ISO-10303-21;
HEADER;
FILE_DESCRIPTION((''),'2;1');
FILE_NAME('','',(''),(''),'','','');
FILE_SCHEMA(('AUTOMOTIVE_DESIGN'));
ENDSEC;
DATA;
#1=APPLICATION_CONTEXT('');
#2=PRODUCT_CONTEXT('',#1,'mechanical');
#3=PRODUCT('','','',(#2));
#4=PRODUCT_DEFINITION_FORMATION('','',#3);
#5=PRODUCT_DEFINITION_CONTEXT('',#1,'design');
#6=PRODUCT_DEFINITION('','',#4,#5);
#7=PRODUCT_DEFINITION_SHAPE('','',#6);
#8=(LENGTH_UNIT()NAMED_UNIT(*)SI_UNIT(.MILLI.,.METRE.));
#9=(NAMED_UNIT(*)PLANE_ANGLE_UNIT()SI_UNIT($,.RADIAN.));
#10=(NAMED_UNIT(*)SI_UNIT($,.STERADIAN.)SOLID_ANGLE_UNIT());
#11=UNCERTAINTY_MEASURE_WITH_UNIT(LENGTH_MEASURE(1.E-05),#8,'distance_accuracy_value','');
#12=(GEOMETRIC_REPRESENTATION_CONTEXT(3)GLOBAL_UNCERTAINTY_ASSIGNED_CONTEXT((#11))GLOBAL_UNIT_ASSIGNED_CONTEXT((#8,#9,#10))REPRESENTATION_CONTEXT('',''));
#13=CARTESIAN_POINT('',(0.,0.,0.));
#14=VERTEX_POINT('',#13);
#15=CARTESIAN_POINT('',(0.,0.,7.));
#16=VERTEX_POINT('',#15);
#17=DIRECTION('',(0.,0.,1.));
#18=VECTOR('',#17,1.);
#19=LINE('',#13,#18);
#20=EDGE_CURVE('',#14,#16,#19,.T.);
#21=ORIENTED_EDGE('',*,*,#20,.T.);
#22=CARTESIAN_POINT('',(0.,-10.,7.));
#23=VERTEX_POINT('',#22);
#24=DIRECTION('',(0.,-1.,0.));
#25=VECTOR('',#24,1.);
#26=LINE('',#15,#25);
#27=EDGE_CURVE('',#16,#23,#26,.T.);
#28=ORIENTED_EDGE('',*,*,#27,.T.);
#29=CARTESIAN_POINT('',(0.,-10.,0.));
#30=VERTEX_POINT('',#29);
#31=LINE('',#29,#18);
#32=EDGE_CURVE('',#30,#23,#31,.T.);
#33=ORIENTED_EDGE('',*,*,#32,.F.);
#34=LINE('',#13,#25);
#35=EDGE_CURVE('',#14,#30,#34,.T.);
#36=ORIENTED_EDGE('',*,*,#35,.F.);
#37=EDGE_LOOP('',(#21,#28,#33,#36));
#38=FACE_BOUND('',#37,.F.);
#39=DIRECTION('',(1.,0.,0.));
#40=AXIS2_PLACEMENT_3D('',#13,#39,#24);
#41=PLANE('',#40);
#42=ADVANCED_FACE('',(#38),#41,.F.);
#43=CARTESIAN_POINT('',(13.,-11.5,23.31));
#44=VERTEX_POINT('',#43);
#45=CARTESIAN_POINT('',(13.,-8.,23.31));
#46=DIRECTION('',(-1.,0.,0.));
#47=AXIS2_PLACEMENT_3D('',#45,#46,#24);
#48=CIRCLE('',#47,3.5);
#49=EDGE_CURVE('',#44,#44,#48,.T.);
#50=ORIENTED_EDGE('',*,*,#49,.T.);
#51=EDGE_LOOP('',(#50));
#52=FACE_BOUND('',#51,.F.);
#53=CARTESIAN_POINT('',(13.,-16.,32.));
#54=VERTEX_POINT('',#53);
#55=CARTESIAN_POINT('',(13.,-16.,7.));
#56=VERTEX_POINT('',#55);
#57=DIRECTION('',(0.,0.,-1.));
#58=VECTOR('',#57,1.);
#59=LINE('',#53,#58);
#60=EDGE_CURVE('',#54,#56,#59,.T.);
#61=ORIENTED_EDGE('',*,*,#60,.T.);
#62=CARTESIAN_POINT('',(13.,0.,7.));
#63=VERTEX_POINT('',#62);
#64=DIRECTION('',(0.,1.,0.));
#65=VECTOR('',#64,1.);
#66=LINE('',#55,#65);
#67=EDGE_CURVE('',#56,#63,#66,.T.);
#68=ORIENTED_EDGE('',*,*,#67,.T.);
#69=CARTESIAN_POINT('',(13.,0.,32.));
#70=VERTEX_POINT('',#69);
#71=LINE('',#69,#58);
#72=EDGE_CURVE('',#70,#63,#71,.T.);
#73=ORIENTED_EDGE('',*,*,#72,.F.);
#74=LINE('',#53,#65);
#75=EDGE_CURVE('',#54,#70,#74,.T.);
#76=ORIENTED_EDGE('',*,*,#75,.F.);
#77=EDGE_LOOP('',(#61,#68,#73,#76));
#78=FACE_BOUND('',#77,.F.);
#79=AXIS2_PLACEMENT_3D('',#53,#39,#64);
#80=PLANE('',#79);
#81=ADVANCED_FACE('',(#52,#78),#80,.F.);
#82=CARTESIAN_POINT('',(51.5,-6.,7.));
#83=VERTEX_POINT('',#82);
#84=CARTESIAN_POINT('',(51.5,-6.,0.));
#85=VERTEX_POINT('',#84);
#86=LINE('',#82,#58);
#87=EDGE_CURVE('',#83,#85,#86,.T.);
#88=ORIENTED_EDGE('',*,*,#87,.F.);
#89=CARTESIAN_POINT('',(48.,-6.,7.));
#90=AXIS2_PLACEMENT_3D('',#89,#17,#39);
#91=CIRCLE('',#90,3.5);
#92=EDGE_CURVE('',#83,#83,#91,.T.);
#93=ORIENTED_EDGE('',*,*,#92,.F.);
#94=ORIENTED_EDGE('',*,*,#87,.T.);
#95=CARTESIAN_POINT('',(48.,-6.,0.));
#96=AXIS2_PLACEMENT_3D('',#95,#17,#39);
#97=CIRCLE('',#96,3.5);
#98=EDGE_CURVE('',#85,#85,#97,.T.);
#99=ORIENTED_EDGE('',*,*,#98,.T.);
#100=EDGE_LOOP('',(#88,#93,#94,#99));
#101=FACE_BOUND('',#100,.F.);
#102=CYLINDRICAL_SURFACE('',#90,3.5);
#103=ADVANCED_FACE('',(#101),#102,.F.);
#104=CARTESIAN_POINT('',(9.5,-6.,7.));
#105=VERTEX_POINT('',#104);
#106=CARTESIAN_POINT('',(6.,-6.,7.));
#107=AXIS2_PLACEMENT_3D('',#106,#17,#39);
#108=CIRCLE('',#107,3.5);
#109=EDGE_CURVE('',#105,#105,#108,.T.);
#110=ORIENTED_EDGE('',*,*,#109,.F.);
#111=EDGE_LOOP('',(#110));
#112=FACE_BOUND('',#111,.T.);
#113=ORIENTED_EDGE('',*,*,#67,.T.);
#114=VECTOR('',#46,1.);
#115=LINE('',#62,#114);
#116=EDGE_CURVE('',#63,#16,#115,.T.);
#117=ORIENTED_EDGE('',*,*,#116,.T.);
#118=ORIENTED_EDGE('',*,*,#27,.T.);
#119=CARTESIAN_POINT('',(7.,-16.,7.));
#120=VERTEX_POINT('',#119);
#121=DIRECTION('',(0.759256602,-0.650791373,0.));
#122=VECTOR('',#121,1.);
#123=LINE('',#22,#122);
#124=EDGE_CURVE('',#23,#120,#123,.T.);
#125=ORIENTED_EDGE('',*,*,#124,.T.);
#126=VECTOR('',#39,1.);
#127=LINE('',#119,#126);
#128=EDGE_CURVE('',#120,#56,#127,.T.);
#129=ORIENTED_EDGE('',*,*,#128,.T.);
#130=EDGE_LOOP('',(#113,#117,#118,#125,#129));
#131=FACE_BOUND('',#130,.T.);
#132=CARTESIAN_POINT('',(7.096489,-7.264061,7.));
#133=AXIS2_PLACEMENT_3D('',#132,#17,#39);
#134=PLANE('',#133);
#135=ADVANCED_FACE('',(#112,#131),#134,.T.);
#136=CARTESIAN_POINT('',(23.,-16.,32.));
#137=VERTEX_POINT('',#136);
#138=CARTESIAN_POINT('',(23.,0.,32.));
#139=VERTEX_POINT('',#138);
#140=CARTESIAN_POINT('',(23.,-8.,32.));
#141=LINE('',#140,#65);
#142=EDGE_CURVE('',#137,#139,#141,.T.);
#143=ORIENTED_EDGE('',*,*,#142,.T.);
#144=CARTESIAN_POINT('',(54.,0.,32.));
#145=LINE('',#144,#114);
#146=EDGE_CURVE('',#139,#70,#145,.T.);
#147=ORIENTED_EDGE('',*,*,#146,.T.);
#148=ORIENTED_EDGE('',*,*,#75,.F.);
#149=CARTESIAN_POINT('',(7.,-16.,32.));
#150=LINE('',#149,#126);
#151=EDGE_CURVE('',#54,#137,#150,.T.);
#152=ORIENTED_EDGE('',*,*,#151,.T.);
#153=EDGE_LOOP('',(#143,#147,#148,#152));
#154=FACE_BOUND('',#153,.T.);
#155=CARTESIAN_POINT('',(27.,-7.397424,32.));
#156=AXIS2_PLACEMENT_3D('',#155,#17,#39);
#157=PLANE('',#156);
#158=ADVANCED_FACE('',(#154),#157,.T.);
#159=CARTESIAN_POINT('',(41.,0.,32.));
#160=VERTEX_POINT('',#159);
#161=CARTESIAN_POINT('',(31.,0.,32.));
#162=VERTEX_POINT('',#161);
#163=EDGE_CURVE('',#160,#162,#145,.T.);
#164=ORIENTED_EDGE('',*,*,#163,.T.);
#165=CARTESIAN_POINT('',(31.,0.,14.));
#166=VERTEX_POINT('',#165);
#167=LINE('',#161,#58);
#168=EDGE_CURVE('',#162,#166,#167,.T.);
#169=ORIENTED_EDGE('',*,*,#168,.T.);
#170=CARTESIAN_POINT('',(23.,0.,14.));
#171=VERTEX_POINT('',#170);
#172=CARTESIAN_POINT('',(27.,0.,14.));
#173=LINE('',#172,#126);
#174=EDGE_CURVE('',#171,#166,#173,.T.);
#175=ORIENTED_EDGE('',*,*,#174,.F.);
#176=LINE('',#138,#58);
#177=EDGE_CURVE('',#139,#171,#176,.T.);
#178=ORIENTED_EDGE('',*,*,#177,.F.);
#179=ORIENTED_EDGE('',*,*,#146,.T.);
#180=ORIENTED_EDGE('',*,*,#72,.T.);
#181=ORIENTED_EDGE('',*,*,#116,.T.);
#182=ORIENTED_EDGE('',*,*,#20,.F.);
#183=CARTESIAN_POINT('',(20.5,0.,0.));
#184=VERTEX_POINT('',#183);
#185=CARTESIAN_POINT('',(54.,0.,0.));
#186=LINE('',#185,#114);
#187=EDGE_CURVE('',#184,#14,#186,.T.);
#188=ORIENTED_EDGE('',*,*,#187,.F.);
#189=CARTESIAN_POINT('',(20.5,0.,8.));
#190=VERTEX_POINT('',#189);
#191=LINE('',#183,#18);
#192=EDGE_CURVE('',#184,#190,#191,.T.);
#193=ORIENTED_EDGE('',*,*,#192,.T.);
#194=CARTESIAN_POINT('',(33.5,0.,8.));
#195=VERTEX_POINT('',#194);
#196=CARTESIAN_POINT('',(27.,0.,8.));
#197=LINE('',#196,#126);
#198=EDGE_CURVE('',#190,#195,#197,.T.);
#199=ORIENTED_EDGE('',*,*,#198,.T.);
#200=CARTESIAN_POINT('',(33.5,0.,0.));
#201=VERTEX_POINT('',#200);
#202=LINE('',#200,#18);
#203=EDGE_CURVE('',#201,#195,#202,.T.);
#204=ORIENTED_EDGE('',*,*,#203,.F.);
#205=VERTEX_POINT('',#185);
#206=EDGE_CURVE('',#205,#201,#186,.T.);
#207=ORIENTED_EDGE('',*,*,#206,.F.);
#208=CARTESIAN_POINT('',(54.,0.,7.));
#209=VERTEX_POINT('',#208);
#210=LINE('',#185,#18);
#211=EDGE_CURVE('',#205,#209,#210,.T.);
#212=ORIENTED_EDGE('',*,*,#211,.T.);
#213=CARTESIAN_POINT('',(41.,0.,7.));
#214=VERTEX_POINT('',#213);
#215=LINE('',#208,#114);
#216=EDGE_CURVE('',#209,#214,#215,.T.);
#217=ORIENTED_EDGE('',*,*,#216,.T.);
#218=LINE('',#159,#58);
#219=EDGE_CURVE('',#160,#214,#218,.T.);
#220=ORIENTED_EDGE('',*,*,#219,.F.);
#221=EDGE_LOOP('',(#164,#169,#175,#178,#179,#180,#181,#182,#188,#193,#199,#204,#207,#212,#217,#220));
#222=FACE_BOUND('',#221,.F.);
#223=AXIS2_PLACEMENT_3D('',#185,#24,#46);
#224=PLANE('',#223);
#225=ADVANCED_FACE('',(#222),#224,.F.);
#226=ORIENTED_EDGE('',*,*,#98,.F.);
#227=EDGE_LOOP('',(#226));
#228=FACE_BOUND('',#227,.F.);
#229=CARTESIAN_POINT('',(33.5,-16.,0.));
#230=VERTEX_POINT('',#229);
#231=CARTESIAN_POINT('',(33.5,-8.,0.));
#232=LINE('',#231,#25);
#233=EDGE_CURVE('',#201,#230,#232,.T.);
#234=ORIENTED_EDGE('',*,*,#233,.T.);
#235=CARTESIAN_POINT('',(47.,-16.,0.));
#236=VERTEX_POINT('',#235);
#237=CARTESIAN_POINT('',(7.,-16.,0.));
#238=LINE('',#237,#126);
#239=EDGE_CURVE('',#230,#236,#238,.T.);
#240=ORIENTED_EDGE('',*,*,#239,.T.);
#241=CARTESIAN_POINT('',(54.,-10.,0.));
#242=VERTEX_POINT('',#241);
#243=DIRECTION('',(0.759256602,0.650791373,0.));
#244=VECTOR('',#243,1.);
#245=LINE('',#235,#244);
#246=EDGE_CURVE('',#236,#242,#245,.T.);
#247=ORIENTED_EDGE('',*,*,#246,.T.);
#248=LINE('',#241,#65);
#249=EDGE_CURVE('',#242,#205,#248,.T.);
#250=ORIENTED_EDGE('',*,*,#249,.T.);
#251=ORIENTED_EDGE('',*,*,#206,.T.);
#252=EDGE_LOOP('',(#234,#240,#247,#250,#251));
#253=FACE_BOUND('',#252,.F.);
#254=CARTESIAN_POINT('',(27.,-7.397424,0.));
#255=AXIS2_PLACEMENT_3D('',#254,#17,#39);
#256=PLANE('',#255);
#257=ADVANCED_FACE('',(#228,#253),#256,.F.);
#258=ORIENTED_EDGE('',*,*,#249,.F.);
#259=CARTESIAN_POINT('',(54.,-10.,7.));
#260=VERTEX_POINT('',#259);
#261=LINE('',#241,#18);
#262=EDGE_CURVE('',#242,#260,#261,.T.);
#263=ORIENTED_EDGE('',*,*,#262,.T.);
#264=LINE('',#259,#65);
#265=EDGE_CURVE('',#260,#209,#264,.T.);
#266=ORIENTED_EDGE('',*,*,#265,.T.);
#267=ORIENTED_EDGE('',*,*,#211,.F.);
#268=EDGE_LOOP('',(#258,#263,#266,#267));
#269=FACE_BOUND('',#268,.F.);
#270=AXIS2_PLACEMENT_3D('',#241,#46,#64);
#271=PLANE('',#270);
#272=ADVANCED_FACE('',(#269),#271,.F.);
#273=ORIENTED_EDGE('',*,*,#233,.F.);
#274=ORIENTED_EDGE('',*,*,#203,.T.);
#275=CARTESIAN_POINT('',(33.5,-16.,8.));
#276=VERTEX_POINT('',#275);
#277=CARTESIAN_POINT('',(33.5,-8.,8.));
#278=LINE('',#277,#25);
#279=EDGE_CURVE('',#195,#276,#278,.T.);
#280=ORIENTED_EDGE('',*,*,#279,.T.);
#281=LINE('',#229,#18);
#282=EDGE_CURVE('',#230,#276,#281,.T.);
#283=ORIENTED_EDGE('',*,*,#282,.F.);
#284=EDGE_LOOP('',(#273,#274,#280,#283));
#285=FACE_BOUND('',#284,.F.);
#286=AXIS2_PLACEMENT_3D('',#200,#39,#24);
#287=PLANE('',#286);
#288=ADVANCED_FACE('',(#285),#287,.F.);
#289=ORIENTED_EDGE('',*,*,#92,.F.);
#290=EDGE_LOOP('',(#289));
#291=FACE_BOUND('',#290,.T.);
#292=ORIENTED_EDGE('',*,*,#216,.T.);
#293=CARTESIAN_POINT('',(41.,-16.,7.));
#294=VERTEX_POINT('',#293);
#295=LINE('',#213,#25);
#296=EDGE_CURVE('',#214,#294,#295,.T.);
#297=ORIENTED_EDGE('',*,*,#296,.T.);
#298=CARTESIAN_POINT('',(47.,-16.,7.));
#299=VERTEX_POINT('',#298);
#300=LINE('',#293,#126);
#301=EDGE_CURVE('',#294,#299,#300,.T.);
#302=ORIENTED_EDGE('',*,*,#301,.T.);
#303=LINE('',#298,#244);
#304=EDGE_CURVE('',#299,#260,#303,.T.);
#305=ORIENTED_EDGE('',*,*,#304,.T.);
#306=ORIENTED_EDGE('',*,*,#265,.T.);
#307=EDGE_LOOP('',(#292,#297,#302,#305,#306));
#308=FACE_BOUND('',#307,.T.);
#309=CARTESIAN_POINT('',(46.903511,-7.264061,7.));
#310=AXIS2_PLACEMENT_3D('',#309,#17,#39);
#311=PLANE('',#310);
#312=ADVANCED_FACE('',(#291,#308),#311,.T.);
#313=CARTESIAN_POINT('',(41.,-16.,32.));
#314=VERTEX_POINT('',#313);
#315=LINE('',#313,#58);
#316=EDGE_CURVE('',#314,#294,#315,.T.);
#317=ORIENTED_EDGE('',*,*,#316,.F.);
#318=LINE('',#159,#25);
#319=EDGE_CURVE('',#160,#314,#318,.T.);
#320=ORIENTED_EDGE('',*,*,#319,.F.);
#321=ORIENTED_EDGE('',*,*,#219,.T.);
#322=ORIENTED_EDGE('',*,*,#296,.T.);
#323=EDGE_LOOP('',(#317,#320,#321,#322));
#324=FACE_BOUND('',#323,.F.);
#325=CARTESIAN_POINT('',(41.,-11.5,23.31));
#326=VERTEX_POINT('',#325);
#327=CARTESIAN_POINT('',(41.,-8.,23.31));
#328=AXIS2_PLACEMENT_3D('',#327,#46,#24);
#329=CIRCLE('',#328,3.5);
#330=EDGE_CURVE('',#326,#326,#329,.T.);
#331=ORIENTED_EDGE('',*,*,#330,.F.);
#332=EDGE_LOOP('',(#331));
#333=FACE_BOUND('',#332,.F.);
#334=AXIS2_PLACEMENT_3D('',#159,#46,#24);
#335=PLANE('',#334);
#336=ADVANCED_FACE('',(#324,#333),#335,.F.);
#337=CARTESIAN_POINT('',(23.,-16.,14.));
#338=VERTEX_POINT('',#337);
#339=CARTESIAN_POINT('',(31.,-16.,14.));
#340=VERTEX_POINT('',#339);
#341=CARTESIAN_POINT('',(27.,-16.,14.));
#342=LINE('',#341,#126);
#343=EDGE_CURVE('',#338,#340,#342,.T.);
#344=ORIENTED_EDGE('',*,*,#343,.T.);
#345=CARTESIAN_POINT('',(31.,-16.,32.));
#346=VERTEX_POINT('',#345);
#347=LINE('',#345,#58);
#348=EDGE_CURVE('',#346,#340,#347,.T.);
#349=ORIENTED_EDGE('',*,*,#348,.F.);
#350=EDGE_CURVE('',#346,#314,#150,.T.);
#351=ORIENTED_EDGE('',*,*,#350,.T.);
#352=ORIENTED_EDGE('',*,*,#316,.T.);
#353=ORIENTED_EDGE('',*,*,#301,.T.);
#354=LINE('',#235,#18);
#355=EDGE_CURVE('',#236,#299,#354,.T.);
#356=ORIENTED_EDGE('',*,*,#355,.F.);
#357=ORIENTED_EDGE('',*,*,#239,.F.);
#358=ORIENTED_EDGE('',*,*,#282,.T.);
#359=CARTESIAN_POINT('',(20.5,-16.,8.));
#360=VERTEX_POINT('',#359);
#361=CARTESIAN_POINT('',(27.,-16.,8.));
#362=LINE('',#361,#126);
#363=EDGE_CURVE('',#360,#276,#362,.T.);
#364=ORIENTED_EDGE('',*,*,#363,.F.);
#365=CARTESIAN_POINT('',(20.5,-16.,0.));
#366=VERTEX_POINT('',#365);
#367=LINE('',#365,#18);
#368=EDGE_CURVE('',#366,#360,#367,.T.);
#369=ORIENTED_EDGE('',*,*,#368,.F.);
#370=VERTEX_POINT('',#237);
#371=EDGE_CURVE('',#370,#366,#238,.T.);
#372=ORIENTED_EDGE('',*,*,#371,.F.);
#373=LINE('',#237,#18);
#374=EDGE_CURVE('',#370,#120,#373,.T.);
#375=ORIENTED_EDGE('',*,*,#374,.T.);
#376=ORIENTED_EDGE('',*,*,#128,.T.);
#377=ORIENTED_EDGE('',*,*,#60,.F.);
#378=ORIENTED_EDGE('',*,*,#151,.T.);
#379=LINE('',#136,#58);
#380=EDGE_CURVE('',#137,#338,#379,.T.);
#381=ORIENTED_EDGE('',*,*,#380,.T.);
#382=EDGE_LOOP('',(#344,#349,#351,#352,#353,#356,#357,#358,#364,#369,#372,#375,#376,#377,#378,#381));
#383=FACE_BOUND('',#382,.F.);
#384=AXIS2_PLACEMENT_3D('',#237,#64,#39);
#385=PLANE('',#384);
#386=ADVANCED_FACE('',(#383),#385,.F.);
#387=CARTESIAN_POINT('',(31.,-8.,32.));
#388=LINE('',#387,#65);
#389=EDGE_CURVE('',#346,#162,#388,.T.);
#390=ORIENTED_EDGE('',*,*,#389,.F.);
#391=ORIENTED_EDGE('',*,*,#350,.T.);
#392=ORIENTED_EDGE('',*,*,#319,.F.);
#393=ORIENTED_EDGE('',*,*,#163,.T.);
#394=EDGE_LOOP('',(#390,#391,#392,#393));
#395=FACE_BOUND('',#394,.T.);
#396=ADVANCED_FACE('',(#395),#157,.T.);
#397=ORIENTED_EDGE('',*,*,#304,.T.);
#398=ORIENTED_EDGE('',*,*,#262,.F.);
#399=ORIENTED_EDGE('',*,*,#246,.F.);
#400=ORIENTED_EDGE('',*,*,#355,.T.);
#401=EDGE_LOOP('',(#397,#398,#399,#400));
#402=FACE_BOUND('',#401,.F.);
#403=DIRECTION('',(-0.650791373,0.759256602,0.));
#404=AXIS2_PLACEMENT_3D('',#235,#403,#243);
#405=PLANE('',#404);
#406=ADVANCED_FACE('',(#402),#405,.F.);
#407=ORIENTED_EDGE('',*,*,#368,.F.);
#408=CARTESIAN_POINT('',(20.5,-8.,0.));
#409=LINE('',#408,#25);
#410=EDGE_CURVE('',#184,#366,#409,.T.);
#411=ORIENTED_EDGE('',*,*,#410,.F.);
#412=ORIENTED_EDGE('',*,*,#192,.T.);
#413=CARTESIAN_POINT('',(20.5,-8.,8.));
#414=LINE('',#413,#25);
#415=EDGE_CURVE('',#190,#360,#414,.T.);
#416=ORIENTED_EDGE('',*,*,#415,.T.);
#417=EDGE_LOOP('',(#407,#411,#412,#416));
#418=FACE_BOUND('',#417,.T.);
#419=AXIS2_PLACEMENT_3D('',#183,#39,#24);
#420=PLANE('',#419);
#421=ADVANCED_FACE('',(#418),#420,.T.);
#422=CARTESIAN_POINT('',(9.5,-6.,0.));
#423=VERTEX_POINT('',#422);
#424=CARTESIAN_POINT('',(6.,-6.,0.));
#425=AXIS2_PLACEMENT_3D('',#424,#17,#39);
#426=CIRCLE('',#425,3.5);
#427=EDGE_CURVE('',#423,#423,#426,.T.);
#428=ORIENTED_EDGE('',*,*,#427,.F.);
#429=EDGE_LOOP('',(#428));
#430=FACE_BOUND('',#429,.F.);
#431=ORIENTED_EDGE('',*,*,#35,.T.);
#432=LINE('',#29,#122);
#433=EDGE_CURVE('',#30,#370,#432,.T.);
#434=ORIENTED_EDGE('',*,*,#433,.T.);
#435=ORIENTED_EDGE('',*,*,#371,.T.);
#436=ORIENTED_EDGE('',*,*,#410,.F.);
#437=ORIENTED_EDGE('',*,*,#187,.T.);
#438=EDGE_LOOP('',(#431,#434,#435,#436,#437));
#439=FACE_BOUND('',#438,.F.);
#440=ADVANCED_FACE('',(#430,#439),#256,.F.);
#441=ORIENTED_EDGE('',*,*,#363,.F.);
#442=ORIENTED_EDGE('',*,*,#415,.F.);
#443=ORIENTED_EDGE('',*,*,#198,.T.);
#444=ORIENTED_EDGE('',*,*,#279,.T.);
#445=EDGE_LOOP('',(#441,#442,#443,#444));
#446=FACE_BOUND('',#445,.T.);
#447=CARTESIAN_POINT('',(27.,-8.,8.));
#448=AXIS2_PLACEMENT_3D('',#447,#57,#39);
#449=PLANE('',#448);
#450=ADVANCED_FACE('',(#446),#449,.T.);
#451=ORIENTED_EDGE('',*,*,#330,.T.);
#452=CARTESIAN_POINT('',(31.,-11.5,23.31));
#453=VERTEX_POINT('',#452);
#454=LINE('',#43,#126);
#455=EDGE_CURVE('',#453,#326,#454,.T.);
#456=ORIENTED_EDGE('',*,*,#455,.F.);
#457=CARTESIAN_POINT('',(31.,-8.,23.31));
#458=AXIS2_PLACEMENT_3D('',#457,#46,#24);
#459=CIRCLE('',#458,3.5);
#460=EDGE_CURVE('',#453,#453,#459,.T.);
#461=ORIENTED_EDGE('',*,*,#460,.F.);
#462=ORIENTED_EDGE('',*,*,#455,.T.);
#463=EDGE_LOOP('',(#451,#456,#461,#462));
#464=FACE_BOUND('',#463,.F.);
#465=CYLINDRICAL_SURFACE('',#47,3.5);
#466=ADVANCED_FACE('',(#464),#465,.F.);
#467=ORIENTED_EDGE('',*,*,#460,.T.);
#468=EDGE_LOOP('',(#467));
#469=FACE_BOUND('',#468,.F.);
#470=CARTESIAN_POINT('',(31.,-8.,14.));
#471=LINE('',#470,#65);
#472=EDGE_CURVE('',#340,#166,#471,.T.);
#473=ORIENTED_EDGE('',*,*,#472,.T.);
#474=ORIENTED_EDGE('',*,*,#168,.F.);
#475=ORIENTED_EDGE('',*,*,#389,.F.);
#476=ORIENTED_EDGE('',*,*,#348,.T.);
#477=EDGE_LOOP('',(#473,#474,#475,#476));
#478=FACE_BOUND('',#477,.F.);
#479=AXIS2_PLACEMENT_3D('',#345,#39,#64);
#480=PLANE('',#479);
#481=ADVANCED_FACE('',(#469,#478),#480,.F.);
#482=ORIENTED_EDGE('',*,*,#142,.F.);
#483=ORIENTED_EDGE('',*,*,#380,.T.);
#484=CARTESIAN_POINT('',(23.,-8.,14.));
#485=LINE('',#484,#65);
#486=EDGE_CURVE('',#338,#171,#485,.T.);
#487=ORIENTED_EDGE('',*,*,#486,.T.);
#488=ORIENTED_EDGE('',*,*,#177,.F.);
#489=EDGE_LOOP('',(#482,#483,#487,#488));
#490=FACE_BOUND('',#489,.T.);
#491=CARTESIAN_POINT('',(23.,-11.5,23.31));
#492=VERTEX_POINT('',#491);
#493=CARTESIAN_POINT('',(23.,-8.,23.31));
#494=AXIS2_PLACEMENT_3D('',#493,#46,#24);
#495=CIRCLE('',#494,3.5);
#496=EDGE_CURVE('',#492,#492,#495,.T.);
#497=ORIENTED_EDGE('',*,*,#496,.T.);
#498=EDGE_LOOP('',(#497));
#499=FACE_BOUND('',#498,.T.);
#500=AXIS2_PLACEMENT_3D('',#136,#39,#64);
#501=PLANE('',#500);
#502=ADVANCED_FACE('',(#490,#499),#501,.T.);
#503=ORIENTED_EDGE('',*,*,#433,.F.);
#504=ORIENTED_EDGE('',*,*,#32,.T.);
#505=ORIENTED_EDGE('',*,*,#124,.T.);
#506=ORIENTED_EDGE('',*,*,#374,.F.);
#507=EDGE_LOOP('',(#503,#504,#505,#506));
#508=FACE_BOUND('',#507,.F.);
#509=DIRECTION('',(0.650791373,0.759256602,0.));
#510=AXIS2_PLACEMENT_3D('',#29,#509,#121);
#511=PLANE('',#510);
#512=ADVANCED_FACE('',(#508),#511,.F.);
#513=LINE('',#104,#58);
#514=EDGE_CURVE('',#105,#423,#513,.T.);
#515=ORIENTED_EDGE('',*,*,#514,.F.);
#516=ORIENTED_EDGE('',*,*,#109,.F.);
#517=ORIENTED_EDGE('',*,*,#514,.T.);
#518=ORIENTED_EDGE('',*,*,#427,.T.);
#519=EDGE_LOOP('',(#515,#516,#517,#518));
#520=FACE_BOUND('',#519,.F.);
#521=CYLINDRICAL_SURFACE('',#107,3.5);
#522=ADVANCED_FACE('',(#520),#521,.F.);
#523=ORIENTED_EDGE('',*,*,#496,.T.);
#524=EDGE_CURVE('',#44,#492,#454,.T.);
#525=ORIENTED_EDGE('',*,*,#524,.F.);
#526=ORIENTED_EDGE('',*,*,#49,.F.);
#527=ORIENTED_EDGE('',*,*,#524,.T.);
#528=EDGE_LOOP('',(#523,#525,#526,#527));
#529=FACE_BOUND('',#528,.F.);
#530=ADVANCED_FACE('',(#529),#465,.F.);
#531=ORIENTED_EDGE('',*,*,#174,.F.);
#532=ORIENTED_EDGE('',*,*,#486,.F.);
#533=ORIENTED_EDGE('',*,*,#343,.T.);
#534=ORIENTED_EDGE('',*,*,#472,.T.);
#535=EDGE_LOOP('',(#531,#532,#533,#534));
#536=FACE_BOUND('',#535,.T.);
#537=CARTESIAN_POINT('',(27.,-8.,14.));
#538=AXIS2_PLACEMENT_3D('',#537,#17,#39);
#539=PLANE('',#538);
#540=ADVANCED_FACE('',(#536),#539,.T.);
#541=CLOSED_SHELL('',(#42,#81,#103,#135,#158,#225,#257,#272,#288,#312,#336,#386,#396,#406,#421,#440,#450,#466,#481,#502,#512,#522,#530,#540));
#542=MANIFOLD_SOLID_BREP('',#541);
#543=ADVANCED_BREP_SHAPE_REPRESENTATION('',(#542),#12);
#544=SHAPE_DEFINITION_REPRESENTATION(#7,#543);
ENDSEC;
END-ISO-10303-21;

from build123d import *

# Parameters (mm, degrees)
PAD_DEPTH       = 32
SKETCH001_W     = 13
SKETCH001_H     = 16
POCKET_DEPTH    = 8
POCKET001_DEPTH = 25
POCKET002_DEPTH = 25
SKETCH004_W     = 8
SKETCH004_H     = 16
POCKET003_DEPTH = 18
SKETCH005_R     = 3.5
POCKET004_DEPTH = 8
SKETCH006_R     = 3.5
POCKET005_DEPTH = 30


with BuildPart() as part:
    # Sketch → Pad (new body)
    with BuildSketch(Plane.XY):
        Polygon((0, 0), (0, -10), (7, -16), (47, -16), (54, -10), (54, 0), align=None)
    extrude(amount=PAD_DEPTH)

    # Sketch001 (on Face7 of Pad) → Pocket (cut)
    with BuildSketch(Plane(origin=(0, 0, 0), x_dir=(1, 0, 0), z_dir=(0, 0, -1))):
        with Locations((27, 8)):
            Rectangle(SKETCH001_W, SKETCH001_H)
    extrude(amount=-POCKET_DEPTH, mode=Mode.SUBTRACT)

    # Sketch002 (on Face5 of Pocket) → Pocket001 (cut)
    with BuildSketch(Plane.XY.offset(32)):
        Polygon((0, 0), (0, -10), (7, -16), (13, -16), (13, 0), align=None)
    extrude(amount=-POCKET001_DEPTH, mode=Mode.SUBTRACT)

    # Sketch003 (on Face12 of Pocket001) → Pocket002 (cut)
    with BuildSketch(Plane.XY.offset(32)):
        Polygon((54, 0), (41, 0), (41, -16), (47, -16), (54, -10), align=None)
    extrude(amount=-POCKET002_DEPTH, mode=Mode.SUBTRACT)

    # Sketch004 (on Face12 of Pocket002) → Pocket003 (cut)
    with BuildSketch(Plane.XY.offset(32)):
        with Locations((27, -8)):
            Rectangle(SKETCH004_W, SKETCH004_H)
    extrude(amount=-POCKET003_DEPTH, mode=Mode.SUBTRACT)

    # Sketch005 (on Face4 of Pocket003) → Pocket004 (cut)
    with BuildSketch(Plane.XY.offset(7)):
        with Locations((6, -6)):
            Circle(SKETCH005_R)
        with Locations((48, -6)):
            Circle(SKETCH005_R)
    extrude(amount=-POCKET004_DEPTH, mode=Mode.SUBTRACT)

    # Sketch006 (on Face9 of Pocket004) → Pocket005 (cut)
    with BuildSketch(Plane(origin=(13, 0, 0), x_dir=(0, -1, 0), z_dir=(-1, 0, 0))):
        with Locations((8, 23.31)):
            Circle(SKETCH006_R)
    extrude(amount=-POCKET005_DEPTH, mode=Mode.SUBTRACT)


solid = part.part
